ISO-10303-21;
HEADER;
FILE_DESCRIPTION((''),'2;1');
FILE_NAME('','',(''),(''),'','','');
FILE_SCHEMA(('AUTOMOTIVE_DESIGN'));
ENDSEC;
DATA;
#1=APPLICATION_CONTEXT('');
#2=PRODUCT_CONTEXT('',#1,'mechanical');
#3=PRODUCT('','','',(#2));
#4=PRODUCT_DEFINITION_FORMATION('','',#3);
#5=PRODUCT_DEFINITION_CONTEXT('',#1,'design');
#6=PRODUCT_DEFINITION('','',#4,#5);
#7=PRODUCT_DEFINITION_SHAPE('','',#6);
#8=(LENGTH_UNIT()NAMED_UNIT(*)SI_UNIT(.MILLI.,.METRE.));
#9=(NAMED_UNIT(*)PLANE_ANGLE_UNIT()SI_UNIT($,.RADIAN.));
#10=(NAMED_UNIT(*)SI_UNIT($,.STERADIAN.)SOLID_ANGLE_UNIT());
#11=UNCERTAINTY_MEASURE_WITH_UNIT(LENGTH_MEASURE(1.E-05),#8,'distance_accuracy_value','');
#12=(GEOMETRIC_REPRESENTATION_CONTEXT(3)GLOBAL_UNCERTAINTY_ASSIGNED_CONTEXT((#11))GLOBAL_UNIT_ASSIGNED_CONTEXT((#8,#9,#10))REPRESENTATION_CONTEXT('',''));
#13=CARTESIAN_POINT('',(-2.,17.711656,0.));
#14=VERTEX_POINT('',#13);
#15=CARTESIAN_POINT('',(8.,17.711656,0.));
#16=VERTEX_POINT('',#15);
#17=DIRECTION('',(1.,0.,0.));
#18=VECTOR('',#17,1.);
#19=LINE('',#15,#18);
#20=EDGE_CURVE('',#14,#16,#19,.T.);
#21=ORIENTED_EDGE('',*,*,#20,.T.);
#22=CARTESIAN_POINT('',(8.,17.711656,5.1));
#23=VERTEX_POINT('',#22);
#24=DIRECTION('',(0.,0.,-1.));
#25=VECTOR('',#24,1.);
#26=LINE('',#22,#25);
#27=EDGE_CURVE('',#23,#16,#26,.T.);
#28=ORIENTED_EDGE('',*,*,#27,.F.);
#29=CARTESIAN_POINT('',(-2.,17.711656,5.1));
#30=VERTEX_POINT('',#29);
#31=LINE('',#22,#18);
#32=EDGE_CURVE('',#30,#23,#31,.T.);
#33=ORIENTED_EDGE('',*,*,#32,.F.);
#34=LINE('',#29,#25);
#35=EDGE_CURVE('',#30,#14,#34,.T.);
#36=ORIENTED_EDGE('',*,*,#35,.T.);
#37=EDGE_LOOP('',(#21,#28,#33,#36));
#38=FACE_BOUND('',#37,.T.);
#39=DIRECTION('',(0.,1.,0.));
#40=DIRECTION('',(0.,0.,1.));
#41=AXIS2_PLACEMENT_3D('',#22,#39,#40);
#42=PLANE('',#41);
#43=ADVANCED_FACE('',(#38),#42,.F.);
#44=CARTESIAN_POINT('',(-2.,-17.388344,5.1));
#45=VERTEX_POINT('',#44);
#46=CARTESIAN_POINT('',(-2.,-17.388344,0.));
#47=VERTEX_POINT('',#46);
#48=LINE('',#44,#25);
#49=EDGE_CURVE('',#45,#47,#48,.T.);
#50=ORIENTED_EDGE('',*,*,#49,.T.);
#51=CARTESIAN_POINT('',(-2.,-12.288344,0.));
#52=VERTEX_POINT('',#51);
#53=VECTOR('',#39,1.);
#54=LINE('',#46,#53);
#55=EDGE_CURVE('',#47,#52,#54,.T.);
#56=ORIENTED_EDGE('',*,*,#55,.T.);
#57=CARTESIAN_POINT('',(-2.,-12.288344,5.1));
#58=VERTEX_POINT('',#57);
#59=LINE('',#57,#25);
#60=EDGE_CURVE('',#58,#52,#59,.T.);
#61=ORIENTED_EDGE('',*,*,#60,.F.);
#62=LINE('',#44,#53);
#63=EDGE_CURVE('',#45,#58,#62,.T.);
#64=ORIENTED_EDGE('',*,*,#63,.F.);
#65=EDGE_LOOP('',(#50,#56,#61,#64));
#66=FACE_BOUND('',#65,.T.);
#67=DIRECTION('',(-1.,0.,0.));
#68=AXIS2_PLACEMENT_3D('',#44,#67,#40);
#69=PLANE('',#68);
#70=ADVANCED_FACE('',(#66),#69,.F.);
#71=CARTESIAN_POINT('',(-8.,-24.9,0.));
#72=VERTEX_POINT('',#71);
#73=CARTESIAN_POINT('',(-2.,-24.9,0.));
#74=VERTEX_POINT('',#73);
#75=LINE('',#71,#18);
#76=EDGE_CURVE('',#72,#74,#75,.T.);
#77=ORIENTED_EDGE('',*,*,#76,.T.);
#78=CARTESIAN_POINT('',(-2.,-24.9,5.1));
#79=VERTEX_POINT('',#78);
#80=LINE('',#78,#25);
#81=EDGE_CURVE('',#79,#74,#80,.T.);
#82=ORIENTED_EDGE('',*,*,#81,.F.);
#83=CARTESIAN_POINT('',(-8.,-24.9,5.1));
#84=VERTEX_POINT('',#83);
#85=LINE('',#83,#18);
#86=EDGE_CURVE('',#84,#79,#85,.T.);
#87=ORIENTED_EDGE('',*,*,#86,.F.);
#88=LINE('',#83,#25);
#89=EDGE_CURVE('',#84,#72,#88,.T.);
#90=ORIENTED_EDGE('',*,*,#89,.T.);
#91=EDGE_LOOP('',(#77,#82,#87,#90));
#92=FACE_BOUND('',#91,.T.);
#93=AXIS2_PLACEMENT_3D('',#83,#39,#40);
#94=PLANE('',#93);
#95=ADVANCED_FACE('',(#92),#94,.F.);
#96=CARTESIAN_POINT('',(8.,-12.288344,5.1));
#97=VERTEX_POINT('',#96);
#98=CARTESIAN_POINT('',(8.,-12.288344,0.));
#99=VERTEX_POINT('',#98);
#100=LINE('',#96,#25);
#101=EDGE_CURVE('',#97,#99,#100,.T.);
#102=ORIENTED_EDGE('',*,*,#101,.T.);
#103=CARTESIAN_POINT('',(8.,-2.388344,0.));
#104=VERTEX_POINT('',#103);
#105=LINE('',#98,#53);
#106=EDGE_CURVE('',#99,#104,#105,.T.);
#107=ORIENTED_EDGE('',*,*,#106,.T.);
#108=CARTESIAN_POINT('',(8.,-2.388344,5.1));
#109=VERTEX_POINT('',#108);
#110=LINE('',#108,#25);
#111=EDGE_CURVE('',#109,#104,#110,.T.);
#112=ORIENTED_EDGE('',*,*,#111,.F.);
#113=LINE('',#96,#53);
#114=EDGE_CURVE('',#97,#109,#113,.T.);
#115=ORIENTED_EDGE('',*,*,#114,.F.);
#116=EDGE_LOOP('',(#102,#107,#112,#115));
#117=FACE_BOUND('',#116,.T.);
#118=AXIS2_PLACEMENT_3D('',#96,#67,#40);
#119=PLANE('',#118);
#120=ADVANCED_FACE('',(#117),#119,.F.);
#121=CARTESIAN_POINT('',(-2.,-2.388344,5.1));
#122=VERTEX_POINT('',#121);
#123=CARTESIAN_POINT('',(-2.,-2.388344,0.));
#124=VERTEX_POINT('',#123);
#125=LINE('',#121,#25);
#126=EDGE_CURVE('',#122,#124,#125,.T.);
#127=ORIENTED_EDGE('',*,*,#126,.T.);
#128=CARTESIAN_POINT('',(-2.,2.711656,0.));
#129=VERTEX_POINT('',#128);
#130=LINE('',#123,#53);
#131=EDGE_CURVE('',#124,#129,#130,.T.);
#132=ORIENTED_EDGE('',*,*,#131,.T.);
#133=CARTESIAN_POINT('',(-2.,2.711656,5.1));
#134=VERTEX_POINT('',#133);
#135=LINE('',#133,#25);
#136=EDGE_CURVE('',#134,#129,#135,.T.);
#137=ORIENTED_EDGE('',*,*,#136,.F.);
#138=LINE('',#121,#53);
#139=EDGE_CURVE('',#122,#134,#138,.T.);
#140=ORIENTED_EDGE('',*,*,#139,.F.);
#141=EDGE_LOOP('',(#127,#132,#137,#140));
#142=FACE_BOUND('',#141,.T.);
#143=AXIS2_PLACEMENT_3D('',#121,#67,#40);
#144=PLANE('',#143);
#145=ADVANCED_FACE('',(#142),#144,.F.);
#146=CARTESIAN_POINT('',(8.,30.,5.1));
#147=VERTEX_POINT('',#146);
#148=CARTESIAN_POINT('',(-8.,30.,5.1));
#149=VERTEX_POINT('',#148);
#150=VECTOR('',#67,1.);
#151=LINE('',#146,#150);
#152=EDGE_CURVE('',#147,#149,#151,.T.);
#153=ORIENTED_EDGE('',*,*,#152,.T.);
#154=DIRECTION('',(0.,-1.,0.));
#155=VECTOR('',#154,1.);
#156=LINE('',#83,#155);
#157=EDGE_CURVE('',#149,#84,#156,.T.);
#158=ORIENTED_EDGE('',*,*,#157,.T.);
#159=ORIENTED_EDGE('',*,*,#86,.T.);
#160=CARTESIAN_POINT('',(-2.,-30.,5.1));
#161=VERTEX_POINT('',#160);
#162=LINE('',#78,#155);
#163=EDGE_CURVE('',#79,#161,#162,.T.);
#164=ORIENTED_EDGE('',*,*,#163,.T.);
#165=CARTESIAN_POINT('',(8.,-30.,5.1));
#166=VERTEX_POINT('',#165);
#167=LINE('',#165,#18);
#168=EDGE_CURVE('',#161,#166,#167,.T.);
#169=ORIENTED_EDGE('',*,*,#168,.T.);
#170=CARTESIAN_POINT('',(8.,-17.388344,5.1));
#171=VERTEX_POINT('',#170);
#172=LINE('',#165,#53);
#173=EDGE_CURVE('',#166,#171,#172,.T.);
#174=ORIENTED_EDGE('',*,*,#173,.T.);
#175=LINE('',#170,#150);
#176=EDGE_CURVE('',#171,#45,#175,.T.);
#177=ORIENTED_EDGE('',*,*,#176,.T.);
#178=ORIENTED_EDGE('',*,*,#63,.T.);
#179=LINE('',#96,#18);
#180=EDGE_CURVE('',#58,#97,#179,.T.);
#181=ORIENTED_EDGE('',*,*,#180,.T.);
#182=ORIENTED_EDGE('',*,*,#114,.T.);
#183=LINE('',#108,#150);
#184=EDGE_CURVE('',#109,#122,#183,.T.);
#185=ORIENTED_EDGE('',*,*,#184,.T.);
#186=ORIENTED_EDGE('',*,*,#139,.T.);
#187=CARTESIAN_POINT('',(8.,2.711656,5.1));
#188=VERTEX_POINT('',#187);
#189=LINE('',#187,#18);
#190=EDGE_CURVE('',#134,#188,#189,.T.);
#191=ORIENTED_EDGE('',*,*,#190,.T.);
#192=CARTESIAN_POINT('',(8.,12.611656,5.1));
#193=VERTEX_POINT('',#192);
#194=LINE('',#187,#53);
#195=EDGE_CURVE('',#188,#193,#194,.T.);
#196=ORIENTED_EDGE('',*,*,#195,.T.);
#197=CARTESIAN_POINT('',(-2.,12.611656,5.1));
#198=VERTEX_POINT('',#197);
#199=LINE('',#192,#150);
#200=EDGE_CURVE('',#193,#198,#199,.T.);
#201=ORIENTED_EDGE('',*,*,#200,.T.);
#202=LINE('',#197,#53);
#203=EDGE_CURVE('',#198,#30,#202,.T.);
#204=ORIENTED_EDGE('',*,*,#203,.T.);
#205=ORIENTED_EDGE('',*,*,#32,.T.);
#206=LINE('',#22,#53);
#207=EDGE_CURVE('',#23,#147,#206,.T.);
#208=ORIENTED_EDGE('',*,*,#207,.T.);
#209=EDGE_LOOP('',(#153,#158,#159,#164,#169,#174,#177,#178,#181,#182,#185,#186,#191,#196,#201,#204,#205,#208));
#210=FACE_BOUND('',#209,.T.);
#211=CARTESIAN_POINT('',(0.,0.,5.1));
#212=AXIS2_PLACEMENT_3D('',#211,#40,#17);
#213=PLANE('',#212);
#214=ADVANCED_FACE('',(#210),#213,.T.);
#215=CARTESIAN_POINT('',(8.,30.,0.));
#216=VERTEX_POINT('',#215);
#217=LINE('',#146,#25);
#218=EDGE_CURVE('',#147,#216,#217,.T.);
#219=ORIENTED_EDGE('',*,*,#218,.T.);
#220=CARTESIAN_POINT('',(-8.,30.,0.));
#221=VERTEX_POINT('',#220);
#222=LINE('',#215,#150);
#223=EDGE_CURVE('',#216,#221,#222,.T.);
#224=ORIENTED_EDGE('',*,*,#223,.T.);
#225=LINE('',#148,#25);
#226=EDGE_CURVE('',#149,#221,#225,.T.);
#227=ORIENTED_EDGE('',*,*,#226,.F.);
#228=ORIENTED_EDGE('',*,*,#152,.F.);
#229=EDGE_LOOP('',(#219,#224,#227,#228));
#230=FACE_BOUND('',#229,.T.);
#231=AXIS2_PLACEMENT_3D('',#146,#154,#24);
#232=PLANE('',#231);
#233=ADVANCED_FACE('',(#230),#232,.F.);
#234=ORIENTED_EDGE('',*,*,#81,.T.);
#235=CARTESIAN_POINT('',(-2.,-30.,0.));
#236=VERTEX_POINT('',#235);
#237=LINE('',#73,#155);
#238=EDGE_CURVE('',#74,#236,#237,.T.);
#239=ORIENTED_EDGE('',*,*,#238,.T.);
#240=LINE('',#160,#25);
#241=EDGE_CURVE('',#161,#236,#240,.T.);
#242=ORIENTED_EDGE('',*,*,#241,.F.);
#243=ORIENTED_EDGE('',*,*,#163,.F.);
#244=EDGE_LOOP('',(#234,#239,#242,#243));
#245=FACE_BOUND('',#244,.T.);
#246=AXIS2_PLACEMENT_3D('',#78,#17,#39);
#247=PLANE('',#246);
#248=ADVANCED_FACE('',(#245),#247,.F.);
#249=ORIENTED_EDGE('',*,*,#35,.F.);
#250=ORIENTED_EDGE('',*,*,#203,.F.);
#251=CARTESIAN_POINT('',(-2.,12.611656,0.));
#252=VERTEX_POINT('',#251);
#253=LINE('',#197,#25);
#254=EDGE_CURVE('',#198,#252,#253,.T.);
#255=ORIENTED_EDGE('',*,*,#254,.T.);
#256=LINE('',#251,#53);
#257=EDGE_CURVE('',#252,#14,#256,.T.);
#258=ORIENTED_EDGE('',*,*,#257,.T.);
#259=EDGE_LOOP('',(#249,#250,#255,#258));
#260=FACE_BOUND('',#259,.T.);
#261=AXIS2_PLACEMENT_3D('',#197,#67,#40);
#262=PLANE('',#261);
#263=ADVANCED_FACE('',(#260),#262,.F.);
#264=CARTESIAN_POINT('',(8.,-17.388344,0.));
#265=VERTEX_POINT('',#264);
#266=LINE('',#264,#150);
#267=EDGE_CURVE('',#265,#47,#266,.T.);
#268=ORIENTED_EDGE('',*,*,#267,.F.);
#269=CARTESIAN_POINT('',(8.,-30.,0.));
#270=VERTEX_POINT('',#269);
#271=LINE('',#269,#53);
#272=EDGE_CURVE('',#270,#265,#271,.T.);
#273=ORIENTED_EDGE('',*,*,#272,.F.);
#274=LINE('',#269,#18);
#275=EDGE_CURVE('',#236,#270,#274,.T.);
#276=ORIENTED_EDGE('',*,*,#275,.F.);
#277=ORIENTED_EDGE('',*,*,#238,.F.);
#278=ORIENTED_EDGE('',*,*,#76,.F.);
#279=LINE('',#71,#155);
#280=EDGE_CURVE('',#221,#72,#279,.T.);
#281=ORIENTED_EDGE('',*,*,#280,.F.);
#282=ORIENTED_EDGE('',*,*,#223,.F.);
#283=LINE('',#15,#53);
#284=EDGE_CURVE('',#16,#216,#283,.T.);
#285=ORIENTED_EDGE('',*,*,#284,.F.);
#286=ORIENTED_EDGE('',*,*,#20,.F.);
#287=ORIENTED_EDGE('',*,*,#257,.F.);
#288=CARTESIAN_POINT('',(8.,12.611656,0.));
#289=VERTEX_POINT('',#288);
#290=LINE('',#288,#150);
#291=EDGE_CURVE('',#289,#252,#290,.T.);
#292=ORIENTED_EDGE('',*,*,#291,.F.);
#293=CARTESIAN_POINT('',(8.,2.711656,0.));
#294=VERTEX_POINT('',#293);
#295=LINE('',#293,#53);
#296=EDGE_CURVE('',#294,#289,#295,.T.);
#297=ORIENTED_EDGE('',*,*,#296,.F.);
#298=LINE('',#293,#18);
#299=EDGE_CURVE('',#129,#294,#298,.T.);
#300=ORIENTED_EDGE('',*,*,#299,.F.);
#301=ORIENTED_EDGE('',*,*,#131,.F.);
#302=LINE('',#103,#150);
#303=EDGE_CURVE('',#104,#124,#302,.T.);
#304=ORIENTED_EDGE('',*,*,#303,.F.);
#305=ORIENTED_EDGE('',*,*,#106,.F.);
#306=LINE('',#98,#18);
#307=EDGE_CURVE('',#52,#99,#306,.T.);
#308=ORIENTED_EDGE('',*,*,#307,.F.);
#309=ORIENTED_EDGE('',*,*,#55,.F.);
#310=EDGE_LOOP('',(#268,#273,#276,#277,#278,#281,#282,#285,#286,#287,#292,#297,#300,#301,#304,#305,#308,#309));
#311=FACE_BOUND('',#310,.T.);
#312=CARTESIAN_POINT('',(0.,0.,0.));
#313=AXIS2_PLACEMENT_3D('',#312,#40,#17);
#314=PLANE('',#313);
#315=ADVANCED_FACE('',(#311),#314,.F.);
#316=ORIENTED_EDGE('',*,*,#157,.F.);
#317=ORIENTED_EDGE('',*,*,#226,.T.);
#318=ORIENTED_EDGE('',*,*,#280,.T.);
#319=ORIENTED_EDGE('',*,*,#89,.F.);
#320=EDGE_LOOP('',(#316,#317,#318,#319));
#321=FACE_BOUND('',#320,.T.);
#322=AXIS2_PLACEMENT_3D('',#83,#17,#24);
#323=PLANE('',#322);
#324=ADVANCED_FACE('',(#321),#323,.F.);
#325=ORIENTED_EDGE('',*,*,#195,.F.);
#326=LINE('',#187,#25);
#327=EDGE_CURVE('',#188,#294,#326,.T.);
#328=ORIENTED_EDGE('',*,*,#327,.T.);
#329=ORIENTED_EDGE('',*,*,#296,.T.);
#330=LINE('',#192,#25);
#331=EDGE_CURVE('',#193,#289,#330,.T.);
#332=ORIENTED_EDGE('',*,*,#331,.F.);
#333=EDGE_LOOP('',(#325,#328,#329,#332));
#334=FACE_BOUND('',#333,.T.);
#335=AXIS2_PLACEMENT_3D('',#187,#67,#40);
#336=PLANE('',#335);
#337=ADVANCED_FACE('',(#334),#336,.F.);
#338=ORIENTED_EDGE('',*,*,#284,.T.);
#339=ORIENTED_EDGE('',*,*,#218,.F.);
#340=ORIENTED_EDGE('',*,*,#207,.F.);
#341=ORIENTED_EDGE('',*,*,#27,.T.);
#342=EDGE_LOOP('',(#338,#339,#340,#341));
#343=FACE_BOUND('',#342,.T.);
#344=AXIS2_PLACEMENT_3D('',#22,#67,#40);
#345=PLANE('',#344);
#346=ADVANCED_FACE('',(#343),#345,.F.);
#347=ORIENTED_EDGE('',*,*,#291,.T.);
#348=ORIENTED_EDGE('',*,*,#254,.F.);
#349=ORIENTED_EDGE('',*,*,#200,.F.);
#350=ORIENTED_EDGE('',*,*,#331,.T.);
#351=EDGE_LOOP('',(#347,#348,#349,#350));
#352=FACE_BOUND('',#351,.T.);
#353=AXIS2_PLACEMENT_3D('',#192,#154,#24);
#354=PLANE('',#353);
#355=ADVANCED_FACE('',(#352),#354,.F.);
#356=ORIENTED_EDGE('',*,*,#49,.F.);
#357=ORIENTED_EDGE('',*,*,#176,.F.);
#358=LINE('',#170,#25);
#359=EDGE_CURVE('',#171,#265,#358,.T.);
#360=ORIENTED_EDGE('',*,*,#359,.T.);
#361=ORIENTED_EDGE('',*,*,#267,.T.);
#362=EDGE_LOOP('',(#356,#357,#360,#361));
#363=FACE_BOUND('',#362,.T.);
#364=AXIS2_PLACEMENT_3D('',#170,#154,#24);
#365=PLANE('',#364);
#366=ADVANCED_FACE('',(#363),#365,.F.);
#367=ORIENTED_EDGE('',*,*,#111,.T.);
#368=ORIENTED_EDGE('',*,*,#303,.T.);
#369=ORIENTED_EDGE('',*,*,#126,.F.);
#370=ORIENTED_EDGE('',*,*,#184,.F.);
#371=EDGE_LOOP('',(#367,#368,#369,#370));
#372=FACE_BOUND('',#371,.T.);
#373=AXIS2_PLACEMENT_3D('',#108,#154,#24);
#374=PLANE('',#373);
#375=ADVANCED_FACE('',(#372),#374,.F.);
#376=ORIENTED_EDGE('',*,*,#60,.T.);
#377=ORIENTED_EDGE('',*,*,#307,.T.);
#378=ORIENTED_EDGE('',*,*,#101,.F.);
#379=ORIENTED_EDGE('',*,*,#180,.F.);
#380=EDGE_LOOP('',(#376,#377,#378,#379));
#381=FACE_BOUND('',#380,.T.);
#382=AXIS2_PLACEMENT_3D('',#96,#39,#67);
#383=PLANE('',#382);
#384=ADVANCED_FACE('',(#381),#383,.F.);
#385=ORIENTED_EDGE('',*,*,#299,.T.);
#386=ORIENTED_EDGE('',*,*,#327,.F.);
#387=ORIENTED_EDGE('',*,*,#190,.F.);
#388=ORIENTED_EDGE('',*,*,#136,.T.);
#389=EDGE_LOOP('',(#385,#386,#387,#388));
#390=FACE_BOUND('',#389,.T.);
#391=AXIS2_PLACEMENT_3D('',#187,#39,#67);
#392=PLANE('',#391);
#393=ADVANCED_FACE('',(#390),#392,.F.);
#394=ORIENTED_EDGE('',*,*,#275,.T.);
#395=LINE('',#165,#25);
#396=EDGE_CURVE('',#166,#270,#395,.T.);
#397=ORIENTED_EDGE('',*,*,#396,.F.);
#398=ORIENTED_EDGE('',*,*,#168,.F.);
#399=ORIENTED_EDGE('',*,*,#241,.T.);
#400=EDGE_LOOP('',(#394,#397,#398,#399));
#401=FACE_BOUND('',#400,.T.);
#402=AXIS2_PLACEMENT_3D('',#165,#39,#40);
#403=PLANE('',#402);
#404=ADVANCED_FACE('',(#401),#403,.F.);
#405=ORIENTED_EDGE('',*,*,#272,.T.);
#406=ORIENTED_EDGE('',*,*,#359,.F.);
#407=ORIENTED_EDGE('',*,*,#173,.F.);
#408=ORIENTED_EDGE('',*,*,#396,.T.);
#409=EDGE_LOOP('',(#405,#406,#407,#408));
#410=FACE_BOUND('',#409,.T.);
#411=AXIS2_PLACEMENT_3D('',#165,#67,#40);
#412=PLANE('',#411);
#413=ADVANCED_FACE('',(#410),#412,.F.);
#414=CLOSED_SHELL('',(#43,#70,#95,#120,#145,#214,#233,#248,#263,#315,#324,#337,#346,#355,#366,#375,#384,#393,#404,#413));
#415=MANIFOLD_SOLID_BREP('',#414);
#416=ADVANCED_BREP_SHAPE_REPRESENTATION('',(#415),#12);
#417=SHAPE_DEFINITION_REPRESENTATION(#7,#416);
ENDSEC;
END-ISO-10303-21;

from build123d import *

# Parameters (mm, degrees)
BOSS_EXTRUDE1_DEPTH = 5.1


with BuildPart() as part:
    # Sketch1 → Boss-Extrude1 (new body)
    with BuildSketch(Plane.XY):
        Polygon((-8, -24.9), (-2, -24.9), (-2, -30), (8, -30), (8, -17.38834404), (-2, -17.38834404), (-2, -12.28834404), (8, -12.28834404), (8, -2.38834404), (-2, -2.38834404), (-2, 2.71165596), (8, 2.71165596), (8, 12.61165596), (-2, 12.61165596), (-2, 17.71165596), (8, 17.71165596), (8, 30), (-8, 30), align=None)
    extrude(amount=BOSS_EXTRUDE1_DEPTH)


solid = part.part
